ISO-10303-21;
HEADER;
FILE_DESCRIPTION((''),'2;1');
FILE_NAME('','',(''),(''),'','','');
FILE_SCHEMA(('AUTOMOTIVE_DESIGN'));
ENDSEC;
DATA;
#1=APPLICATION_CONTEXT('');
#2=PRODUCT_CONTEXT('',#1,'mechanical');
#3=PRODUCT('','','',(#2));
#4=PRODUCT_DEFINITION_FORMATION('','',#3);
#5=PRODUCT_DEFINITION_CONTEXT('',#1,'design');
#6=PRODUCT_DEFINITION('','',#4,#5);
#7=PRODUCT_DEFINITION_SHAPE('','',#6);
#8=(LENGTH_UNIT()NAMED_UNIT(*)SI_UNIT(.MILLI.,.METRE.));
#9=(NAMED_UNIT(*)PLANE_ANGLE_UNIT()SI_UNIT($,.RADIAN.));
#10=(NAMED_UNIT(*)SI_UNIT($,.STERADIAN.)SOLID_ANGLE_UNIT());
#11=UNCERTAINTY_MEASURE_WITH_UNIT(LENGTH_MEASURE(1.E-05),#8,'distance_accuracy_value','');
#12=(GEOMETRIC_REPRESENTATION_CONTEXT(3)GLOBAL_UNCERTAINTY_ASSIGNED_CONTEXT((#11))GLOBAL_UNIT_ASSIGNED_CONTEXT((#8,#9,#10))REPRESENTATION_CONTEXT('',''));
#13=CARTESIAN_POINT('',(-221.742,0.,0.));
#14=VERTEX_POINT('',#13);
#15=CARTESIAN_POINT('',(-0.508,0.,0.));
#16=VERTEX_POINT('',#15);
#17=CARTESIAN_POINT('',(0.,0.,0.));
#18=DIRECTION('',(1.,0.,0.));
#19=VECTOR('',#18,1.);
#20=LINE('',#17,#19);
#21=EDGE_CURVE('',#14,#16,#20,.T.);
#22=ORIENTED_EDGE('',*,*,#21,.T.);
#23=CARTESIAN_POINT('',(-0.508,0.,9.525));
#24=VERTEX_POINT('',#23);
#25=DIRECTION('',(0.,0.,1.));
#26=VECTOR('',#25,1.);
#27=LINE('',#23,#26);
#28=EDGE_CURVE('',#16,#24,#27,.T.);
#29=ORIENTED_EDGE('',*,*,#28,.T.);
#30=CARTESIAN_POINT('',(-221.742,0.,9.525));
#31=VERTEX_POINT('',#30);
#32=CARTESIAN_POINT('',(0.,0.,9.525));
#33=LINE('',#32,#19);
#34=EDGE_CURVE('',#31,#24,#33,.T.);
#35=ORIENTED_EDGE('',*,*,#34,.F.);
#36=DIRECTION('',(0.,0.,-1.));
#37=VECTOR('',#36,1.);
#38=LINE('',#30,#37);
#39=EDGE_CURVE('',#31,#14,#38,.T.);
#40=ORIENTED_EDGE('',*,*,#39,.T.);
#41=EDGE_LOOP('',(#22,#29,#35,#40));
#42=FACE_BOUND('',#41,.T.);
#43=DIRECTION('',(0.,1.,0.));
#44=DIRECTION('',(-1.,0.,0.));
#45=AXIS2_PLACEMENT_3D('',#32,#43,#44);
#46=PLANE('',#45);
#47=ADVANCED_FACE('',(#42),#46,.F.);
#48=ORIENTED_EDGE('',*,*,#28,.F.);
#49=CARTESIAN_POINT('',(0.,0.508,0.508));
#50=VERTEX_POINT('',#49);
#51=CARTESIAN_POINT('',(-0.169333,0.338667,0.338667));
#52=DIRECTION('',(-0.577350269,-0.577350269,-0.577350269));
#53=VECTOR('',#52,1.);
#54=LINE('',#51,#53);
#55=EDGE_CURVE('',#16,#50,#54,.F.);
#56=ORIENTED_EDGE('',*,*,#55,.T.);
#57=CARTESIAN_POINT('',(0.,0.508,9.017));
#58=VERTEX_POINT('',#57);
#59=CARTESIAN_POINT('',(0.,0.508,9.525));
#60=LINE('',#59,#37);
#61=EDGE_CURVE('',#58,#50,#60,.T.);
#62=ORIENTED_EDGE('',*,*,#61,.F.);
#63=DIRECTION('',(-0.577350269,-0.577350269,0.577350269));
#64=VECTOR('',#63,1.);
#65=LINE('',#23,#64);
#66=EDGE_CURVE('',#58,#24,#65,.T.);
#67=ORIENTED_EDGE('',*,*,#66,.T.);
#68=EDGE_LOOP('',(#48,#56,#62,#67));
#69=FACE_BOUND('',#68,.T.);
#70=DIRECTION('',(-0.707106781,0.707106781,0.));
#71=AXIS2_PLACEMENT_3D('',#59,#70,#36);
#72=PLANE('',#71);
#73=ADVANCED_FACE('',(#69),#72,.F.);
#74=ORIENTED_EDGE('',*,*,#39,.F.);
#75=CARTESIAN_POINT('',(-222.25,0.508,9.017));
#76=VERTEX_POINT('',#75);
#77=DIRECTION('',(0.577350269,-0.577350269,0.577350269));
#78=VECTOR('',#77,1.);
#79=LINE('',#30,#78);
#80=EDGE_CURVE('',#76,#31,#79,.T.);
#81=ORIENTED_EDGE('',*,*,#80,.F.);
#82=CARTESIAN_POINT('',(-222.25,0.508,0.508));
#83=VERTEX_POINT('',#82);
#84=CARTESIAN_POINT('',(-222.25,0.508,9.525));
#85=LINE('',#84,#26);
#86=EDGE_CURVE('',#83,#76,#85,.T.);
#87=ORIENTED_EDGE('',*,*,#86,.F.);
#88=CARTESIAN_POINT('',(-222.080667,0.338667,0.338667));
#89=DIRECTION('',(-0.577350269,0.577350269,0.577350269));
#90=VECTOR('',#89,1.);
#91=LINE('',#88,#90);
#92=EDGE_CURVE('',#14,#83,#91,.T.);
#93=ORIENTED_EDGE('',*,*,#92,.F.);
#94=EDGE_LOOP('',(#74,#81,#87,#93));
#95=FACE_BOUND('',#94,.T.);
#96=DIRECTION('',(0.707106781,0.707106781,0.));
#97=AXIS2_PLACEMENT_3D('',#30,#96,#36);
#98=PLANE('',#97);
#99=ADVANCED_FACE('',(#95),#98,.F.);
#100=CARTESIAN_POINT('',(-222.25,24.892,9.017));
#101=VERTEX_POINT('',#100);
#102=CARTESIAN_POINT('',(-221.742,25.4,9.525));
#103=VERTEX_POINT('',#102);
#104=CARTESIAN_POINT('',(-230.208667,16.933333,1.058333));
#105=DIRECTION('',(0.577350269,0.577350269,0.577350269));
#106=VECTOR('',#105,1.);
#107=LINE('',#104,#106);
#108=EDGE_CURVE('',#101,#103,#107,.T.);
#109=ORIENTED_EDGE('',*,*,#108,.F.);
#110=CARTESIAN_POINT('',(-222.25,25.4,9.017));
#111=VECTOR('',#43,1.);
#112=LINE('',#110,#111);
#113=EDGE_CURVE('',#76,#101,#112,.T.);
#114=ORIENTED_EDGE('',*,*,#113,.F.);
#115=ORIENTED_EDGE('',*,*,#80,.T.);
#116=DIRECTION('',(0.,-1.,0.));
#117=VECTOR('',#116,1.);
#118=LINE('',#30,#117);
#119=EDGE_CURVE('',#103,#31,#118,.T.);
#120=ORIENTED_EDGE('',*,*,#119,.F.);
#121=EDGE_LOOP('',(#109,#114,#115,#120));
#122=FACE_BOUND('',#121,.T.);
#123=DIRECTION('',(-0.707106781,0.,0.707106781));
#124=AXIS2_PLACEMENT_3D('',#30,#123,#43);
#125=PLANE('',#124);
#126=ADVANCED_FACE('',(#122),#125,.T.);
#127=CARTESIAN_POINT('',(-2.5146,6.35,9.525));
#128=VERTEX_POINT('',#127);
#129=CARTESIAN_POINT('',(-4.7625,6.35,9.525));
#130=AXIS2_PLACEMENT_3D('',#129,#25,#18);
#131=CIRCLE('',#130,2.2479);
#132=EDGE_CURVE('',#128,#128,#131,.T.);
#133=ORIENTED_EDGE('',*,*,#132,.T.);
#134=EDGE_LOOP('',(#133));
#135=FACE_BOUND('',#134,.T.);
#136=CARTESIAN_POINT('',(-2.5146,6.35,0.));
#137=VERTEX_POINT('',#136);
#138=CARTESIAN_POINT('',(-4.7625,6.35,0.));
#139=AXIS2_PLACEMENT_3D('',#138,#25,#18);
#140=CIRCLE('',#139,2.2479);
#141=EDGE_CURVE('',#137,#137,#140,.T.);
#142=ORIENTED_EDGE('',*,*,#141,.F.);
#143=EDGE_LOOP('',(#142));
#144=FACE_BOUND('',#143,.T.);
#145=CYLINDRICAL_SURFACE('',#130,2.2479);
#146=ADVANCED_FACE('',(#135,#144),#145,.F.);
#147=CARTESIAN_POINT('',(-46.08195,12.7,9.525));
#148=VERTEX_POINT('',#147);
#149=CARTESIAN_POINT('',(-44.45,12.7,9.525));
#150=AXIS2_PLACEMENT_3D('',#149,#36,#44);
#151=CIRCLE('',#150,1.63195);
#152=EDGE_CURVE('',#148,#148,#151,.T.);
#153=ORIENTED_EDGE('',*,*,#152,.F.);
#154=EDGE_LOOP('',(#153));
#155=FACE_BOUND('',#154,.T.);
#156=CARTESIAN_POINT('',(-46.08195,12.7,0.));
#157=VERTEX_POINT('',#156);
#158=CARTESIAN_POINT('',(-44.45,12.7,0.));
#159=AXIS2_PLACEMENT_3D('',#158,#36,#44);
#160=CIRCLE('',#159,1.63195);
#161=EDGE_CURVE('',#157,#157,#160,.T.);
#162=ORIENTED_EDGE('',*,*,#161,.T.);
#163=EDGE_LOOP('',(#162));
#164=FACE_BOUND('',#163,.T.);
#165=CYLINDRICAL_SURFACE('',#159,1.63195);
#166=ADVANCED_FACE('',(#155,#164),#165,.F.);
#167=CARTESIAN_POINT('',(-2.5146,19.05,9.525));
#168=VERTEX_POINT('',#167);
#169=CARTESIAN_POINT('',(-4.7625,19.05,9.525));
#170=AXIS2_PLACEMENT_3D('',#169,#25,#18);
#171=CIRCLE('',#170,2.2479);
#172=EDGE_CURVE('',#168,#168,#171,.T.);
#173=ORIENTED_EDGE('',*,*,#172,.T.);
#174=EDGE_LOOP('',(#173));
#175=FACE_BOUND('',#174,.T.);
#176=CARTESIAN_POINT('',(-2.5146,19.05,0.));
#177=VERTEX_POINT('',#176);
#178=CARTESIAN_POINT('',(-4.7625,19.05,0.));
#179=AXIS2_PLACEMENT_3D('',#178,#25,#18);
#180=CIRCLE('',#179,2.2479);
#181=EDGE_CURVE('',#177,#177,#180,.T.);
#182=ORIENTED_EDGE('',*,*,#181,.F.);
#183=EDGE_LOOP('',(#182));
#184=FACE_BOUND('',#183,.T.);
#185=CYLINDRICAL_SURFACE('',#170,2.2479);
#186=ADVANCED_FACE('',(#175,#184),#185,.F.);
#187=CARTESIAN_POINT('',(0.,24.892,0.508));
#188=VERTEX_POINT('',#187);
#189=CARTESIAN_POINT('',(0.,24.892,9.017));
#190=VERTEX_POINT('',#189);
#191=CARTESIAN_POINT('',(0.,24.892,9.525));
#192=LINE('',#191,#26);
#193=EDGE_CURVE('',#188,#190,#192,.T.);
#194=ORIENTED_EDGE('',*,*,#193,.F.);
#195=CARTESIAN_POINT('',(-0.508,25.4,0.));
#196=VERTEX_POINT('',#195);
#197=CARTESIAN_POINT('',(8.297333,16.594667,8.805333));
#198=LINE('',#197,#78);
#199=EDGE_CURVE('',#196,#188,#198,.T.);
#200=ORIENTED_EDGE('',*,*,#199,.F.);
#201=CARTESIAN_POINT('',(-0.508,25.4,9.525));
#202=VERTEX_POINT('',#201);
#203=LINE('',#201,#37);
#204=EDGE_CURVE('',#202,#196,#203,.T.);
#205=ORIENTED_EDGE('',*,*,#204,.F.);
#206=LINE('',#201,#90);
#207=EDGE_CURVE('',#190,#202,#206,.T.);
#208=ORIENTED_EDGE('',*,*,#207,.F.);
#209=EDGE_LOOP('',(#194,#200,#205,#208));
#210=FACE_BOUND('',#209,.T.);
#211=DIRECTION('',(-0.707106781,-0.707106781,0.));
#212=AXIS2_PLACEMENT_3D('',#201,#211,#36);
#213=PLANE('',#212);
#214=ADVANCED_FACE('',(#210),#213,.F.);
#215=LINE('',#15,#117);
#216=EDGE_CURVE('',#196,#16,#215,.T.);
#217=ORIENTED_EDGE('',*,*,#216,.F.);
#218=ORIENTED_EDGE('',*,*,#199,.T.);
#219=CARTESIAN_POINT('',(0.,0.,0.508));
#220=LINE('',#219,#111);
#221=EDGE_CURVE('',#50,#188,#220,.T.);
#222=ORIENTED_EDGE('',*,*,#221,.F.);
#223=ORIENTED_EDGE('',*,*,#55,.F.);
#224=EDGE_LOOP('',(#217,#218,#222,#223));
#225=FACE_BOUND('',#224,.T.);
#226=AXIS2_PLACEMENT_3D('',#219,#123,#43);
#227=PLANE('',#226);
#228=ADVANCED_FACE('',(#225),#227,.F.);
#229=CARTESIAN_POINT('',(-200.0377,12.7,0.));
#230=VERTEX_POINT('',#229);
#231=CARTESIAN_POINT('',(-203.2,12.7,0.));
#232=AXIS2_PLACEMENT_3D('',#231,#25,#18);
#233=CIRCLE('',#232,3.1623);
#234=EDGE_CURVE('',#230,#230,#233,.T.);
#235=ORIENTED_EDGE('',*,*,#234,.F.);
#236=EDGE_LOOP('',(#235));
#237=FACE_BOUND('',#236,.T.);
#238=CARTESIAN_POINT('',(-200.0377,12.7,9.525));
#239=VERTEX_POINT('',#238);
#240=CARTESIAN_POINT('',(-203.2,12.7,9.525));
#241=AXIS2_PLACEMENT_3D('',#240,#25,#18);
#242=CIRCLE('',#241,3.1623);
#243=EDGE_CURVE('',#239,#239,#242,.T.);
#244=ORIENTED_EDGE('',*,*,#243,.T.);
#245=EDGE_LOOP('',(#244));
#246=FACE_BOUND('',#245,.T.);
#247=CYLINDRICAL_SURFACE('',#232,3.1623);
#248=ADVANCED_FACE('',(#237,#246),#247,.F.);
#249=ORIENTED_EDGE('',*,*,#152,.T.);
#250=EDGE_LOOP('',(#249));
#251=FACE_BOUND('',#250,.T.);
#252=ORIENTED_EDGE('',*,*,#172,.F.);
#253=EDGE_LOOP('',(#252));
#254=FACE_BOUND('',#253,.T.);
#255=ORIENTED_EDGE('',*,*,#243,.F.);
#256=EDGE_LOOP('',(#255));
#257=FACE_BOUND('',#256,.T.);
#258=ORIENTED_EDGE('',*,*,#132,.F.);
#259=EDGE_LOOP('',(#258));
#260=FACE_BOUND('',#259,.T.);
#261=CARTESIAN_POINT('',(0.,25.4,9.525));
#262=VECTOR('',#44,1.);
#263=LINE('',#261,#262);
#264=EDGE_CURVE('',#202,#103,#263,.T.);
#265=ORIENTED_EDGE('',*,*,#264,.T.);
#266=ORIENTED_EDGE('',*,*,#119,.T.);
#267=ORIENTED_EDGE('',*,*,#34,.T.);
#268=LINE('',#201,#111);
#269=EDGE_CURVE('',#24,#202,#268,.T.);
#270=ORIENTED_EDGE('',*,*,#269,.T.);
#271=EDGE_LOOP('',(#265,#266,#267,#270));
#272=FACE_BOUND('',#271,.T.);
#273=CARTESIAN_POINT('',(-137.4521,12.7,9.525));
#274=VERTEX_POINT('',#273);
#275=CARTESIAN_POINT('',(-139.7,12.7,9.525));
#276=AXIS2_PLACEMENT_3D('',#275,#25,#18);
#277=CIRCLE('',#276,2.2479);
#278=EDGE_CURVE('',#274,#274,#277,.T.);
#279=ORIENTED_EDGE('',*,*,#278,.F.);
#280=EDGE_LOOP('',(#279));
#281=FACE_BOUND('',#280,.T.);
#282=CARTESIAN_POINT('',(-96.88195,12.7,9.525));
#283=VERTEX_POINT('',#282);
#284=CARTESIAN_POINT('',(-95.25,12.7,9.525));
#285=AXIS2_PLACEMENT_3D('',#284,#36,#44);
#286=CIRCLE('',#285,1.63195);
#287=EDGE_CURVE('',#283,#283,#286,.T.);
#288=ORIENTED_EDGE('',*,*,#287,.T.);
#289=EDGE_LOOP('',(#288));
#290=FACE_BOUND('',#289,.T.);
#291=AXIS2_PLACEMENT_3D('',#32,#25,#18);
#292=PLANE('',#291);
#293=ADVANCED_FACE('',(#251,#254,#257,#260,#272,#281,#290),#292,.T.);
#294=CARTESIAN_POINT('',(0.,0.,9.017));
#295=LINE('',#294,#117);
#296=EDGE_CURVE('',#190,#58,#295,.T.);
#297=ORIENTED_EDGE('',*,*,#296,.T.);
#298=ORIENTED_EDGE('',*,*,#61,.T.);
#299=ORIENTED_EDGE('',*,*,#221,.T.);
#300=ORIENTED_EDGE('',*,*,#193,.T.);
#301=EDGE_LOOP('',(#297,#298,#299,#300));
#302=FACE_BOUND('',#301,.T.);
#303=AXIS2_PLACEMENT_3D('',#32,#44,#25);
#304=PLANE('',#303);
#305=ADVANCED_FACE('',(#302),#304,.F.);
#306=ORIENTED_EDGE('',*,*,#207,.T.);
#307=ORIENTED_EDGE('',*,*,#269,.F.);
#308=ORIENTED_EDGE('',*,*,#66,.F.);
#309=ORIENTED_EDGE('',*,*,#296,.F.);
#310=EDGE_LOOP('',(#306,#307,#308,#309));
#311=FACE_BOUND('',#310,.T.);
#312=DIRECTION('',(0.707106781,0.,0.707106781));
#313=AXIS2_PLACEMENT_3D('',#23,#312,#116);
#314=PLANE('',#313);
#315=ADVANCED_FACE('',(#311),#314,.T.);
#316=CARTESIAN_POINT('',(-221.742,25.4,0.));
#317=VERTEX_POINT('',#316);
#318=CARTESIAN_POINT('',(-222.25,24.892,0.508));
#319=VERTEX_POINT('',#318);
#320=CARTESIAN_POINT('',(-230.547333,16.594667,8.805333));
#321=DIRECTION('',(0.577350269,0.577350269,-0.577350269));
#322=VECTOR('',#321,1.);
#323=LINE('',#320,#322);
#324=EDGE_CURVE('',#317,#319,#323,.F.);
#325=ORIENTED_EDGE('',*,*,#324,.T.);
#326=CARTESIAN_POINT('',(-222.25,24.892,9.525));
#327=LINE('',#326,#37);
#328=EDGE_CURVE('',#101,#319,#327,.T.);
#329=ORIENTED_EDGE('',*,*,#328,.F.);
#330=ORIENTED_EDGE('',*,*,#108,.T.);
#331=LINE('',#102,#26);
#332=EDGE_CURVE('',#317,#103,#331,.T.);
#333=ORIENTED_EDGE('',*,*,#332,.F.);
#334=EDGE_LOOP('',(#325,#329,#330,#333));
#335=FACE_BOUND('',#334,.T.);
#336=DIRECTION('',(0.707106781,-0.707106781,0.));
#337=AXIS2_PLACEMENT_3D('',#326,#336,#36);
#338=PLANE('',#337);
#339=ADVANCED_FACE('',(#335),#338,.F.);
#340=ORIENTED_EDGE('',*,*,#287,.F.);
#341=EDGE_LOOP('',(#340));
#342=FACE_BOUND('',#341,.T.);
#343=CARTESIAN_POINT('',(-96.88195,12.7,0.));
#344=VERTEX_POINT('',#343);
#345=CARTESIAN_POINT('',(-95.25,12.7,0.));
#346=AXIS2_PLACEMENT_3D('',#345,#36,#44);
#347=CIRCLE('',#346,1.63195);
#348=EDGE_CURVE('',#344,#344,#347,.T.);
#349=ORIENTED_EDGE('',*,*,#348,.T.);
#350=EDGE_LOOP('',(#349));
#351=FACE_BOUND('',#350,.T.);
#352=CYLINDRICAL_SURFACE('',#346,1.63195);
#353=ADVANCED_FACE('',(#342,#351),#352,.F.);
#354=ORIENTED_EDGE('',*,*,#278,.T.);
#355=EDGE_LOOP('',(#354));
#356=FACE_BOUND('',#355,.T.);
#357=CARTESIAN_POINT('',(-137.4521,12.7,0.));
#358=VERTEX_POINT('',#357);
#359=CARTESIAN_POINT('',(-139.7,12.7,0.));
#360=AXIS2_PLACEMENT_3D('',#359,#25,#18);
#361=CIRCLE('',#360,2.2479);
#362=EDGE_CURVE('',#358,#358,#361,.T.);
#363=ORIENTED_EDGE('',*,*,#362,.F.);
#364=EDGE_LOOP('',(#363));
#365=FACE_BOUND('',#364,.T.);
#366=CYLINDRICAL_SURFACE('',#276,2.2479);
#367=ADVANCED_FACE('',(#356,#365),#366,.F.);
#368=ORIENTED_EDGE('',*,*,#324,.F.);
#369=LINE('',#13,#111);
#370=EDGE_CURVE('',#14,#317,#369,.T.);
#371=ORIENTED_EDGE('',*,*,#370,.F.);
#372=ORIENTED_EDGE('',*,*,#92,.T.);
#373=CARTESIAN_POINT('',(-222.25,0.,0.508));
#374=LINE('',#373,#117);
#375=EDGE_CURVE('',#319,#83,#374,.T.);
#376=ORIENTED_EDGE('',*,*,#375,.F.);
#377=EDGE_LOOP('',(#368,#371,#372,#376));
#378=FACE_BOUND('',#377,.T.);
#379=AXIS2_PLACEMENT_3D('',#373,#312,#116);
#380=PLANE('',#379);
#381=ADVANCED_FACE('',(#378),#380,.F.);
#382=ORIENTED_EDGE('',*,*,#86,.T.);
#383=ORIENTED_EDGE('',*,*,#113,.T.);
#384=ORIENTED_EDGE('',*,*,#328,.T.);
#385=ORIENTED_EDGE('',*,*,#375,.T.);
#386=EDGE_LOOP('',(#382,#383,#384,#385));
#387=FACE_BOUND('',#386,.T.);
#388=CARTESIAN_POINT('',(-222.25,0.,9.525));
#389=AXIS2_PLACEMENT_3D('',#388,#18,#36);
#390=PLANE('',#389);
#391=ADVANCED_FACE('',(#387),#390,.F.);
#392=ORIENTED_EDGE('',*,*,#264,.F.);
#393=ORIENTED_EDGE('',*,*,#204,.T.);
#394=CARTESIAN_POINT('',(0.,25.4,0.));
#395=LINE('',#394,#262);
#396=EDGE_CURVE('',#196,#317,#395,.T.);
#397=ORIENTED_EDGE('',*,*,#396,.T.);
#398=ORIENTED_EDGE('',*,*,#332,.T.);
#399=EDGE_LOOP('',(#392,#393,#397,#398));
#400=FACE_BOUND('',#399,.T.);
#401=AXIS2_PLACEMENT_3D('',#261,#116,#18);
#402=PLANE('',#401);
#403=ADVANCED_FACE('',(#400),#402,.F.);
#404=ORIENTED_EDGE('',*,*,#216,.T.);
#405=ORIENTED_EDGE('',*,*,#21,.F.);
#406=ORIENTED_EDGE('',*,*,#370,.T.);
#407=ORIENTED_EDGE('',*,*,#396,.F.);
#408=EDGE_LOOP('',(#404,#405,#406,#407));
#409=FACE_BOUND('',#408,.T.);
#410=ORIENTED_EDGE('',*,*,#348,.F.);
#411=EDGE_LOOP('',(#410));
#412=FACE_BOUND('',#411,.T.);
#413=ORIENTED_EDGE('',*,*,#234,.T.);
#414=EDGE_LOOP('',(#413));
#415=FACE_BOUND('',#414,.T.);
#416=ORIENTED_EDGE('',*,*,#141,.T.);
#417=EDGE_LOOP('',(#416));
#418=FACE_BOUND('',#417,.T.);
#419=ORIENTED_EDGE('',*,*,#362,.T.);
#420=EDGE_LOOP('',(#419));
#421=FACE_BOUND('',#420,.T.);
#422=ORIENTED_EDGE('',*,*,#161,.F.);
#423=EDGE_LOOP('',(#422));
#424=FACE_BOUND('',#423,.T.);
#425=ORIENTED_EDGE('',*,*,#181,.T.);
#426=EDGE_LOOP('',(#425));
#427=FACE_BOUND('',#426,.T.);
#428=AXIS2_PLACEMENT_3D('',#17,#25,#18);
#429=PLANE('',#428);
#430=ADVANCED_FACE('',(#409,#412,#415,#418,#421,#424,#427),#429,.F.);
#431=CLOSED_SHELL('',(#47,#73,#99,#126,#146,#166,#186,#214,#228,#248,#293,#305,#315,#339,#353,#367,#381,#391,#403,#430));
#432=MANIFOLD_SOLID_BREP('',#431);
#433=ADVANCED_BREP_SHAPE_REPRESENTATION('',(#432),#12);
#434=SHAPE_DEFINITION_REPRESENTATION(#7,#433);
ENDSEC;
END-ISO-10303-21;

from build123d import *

# Parameters (mm, degrees)
SKETCH1_W                 = 222.25
SKETCH1_H                 = 25.4
BOSS_EXTRUDE1_DEPTH       = 9.525
F_8_CLEARANCE_HOLE1_D     = 4.4958
F_8_CLEARANCE_HOLE1_DEPTH = 25.4
F_8_CLEARANCE_HOLE1_TIP   = 1.350674586
SKETCH5_R                 = 3.1623
CUT_EXTRUDE1_DEPTH        = 9.525
F_8_CLEARANCE_HOLE2_D     = 4.4958
F_8_CLEARANCE_HOLE2_DEPTH = 19.05
F_8_CLEARANCE_HOLE2_TIP   = 1.350674586
CHAMFER1_SIZE             = 0.508
F_4_CLEARANCE_HOLE1_D     = 3.2639


with BuildPart() as part:
    # Sketch1 → Boss-Extrude1 (new body)
    with BuildSketch(Plane.XY):
        with Locations((-111.125, 12.7)):
            Rectangle(SKETCH1_W, SKETCH1_H)
    extrude(amount=BOSS_EXTRUDE1_DEPTH)

    # #8 Clearance Hole1
    with Locations(Plane.XY.offset(9.525)):
        with Locations((-4.7625, 6.35), (-4.7625, 19.05)):
            Hole(F_8_CLEARANCE_HOLE1_D / 2, depth=F_8_CLEARANCE_HOLE1_DEPTH)
            with Locations((0, 0, -(F_8_CLEARANCE_HOLE1_DEPTH + F_8_CLEARANCE_HOLE1_TIP / 2))):  # 118° drill point
                Cone(0, F_8_CLEARANCE_HOLE1_D / 2, F_8_CLEARANCE_HOLE1_TIP, mode=Mode.SUBTRACT)

    # Sketch5 → Cut-Extrude1 (cut)
    with BuildSketch(Plane.XY.offset(9.525)):
        with Locations((-203.2, 12.7)):
            Circle(SKETCH5_R)
    extrude(amount=-CUT_EXTRUDE1_DEPTH, mode=Mode.SUBTRACT)

    # #8 Clearance Hole2
    with Locations(Plane.XY.offset(9.525)):
        with Locations((-139.7, 12.7)):
            Hole(F_8_CLEARANCE_HOLE2_D / 2, depth=F_8_CLEARANCE_HOLE2_DEPTH)
            with Locations((0, 0, -(F_8_CLEARANCE_HOLE2_DEPTH + F_8_CLEARANCE_HOLE2_TIP / 2))):  # 118° drill point
                Cone(0, F_8_CLEARANCE_HOLE2_D / 2, F_8_CLEARANCE_HOLE2_TIP, mode=Mode.SUBTRACT)

    # Chamfer1
    chamfer1_edges = [part.edges().sort_by_distance(p)[0] for p in [
        (-222.25, 12.7, 9.525),
        (0, 12.7, 9.525),
        (-222.25, 12.7, 0),
        (0, 12.7, 0),
        (0, 0, 4.7625),
        (-222.25, 0, 4.7625),
        (-222.25, 25.4, 4.7625),
        (0, 25.4, 4.7625),
    ]]
    chamfer(chamfer1_edges, length=CHAMFER1_SIZE)

    # #4 Clearance Hole1 (through all)
    with Locations(Plane(origin=(0, 0, 0), x_dir=(-1, 0, 0), z_dir=(0, 0, -1))):
        with Locations((95.25, 12.7), (44.45, 12.7)):
            Hole(F_4_CLEARANCE_HOLE1_D / 2)


solid = part.part
